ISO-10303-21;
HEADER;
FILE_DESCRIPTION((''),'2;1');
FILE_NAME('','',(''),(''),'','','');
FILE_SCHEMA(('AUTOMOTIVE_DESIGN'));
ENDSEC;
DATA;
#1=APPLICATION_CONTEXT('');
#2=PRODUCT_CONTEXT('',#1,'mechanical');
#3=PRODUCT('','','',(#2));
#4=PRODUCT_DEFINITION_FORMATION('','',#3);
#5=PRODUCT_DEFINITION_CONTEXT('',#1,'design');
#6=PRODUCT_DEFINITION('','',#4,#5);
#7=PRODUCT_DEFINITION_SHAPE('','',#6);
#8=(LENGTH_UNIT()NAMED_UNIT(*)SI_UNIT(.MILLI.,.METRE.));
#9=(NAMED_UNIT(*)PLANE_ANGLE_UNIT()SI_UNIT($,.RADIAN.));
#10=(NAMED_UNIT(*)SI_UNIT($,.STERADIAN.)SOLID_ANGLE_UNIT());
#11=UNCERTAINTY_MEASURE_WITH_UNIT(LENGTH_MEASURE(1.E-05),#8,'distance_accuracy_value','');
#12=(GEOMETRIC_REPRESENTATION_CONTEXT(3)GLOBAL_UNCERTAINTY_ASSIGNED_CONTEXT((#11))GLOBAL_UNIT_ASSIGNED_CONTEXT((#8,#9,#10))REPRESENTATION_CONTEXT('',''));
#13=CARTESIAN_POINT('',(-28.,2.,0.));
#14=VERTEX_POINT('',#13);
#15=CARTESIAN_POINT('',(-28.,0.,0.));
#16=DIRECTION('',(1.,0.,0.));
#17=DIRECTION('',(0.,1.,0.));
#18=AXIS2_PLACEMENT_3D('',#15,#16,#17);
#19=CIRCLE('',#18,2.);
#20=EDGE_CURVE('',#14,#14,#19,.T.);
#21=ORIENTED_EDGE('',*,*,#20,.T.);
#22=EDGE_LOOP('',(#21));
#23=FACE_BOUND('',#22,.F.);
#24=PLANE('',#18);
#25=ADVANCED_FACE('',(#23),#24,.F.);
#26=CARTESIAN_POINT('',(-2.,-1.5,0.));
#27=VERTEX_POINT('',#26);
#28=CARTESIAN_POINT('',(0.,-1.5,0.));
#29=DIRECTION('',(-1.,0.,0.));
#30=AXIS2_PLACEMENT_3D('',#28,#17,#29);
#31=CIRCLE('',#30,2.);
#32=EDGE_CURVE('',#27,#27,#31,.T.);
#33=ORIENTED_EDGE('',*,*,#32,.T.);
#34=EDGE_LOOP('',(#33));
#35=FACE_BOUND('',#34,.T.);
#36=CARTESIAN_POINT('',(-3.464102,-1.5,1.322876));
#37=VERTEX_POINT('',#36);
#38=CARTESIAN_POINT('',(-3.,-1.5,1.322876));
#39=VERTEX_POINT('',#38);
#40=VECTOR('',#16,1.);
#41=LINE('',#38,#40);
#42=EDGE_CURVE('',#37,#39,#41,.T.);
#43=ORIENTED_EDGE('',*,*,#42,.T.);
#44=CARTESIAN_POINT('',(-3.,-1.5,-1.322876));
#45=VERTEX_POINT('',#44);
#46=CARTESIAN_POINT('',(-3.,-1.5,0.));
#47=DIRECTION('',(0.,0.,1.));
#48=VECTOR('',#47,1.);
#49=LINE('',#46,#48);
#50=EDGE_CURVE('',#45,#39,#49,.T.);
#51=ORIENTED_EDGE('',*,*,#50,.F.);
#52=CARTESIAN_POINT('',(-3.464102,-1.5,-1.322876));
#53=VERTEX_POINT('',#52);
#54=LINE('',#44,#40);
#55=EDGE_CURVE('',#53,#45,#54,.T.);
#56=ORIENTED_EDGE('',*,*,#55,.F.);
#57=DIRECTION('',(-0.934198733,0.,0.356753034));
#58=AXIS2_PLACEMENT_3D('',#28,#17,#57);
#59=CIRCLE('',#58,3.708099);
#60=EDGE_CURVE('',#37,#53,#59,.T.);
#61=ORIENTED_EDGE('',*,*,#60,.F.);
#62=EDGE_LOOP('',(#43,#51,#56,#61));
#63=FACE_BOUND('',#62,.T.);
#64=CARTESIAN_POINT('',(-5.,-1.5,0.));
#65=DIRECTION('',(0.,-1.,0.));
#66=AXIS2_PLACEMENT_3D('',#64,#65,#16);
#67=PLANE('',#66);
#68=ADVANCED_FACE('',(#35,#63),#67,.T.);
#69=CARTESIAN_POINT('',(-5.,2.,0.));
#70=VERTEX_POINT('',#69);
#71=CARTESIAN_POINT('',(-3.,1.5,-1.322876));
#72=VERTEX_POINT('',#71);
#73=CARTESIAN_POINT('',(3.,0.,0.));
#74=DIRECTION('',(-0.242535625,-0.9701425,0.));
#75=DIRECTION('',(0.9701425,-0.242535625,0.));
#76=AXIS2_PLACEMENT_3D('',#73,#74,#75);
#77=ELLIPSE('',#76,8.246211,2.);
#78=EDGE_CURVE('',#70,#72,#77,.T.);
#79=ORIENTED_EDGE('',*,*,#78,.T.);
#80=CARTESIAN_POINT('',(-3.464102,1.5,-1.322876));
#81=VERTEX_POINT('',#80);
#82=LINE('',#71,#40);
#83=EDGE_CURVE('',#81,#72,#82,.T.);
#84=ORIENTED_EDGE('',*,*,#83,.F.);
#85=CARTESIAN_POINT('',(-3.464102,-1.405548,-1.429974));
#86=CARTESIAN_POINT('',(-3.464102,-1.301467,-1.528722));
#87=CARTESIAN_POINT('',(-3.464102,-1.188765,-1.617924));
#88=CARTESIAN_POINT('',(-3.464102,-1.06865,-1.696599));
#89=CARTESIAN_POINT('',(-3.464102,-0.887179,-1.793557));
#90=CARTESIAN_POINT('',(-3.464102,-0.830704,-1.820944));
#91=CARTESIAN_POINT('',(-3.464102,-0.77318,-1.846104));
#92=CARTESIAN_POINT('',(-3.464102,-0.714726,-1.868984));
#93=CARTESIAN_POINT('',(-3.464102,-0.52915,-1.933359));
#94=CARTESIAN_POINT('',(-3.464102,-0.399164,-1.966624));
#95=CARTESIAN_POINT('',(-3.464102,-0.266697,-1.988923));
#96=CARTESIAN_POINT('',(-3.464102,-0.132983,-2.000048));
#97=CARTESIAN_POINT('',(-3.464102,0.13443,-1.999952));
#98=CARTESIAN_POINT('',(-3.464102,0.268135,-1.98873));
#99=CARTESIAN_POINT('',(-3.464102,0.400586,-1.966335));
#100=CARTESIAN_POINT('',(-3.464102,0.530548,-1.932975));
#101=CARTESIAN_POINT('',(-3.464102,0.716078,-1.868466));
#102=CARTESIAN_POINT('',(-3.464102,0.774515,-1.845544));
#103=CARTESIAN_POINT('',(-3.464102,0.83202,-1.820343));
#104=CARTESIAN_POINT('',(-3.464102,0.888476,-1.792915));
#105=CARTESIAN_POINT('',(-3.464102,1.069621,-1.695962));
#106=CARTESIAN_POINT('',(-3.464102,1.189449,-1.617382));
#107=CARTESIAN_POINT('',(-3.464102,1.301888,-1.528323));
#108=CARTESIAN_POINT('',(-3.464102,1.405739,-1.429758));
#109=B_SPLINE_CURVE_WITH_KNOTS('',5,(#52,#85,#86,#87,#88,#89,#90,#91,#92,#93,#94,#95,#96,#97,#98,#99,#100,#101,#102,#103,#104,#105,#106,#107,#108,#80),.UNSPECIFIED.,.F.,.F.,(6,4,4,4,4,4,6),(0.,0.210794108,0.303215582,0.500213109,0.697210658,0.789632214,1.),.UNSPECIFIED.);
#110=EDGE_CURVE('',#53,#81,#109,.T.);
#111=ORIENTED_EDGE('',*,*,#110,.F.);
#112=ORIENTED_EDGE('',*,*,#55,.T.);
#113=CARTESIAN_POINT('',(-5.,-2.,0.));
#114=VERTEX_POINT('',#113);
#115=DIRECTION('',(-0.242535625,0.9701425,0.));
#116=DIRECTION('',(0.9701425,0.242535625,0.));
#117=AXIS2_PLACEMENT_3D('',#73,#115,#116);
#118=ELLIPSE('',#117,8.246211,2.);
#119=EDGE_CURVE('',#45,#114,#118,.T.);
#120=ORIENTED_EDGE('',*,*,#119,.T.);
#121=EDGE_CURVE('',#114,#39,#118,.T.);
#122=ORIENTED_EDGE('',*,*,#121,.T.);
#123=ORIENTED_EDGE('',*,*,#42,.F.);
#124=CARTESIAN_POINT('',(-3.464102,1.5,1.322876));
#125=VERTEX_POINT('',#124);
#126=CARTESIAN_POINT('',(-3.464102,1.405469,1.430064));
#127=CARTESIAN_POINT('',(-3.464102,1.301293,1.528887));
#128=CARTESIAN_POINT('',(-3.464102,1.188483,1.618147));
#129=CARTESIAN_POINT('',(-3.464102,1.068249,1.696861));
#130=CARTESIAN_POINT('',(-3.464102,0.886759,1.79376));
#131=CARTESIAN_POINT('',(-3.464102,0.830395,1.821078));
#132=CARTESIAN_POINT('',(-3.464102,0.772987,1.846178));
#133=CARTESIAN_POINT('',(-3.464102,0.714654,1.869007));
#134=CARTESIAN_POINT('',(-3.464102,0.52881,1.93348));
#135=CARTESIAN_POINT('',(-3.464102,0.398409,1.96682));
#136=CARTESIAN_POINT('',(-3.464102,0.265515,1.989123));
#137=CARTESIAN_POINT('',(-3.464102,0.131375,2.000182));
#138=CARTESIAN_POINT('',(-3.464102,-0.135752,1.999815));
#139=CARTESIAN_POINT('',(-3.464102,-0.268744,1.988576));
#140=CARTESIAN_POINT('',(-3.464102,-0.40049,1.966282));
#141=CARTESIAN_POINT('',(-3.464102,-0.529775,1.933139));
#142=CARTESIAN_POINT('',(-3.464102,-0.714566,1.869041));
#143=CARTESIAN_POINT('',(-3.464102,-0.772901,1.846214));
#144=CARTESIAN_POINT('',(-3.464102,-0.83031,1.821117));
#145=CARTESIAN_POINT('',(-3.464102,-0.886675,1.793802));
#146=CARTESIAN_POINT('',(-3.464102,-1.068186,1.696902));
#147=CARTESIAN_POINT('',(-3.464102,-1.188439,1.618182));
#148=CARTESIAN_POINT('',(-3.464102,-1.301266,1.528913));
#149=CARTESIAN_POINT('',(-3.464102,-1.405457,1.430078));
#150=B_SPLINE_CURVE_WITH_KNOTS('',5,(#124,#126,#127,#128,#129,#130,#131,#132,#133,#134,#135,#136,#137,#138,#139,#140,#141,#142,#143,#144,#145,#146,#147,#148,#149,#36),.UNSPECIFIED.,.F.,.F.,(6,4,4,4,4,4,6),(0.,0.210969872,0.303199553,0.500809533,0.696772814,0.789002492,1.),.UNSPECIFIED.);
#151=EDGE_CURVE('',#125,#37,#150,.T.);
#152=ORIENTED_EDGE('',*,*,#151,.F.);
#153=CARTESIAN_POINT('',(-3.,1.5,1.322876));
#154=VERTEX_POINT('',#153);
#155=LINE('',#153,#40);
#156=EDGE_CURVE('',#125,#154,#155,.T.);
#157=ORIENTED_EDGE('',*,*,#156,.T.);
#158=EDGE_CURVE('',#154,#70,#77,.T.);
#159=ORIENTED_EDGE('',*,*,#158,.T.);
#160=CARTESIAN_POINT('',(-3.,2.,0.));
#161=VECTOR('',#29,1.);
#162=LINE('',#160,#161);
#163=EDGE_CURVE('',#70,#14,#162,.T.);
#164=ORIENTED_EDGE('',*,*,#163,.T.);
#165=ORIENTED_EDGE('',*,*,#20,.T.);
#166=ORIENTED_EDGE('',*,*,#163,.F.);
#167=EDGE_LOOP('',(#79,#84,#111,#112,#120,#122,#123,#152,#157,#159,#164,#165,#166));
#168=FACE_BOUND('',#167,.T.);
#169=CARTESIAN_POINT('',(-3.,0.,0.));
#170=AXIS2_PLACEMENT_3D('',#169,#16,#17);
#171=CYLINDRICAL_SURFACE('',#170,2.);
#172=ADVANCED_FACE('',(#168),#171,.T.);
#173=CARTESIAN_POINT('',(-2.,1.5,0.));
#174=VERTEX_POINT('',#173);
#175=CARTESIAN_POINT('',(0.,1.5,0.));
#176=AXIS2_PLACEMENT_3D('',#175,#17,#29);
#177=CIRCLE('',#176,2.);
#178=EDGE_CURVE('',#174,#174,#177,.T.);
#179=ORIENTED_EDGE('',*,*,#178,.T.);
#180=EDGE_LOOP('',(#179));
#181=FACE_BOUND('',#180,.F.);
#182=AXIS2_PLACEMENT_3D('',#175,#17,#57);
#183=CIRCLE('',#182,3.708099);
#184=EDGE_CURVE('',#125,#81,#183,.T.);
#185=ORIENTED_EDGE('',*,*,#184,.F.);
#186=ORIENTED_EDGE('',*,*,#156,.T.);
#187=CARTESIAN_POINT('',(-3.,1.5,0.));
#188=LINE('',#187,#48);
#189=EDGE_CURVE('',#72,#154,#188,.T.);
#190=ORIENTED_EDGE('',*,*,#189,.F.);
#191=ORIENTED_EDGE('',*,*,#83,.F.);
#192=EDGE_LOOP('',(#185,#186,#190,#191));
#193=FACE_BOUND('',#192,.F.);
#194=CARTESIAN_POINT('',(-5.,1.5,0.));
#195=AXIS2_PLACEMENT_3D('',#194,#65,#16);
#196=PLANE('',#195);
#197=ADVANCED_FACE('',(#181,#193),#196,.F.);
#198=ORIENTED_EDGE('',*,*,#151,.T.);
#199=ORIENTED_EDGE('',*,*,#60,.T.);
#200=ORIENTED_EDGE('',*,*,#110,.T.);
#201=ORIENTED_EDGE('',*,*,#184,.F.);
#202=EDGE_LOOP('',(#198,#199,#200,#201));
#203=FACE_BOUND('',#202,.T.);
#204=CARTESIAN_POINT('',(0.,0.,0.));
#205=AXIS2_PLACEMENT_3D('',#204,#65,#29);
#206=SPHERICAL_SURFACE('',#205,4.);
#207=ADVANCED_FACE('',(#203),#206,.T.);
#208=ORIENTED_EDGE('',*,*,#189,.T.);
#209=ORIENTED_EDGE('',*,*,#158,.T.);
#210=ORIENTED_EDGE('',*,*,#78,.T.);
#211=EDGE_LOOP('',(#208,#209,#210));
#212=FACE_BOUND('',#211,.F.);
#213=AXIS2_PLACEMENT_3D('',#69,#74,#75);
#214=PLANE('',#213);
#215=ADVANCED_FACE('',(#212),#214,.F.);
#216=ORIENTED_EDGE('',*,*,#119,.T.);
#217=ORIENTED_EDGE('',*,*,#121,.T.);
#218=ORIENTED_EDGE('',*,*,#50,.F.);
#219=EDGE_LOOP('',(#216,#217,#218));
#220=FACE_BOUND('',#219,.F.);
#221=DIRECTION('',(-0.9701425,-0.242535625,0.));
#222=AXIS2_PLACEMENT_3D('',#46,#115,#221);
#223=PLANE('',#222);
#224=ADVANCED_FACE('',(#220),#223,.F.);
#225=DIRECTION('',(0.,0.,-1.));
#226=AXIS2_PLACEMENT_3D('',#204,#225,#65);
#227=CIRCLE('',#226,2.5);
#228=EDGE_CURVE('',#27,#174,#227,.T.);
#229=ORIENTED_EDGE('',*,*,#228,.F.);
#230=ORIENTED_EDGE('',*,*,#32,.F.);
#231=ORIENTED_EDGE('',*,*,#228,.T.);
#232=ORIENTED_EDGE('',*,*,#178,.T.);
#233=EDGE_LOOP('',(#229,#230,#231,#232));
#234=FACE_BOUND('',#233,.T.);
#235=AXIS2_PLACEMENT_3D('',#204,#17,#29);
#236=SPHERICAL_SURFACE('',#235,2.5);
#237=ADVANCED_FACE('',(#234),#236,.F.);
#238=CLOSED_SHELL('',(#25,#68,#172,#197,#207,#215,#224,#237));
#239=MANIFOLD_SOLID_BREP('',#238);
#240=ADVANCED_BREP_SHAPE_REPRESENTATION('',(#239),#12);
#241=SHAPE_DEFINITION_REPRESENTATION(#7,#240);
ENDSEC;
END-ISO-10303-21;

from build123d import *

# Parameters (mm, degrees)
F2_W     = 10
F2_H     = 3
F3_DEPTH = 12.5
F5_R     = 2
F6_DEPTH = 25
F8_DEPTH = 12.5


with BuildPart() as f1:
    # F0 (on Top) → F1 (revolve)
    with BuildSketch(Plane.XY):
        with BuildLine():
            ThreePointArc((0, -2.5), (-2.5, 0), (0, 2.5))
            Line((0, 2.5), (0, 4))
            ThreePointArc((0, 4), (-4, 0), (0, -4))
            Line((0, -4), (0, -2.5))
        make_face()
    revolve(axis=Axis((0, 0, 0), (0, -1, 0)))

    # F2 (on Top) → F3 (intersect, symmetric)
    with BuildSketch(Plane.XY):
        Rectangle(F2_W, F2_H)
    extrude(amount=F3_DEPTH, both=True, mode=Mode.INTERSECT)

    # F5 (on offset) → F6 (join)
    with BuildSketch(Plane.YZ.offset(-3)):
        Circle(F5_R)
    extrude(amount=-F6_DEPTH)

    # F7 (on Top) → F8 (cut, symmetric)
    with BuildSketch(Plane.XY):
        Polygon((-5, 2), (-3, 1.5), (3.708099, 1.5), (9, 1.5), (9, -1.5), (3.708099, -1.5), (-3, -1.5), (-5, -2), (-3, -2), (10, -2), (10, 2), (-3, 2), align=None)
    extrude(amount=F8_DEPTH, both=True, mode=Mode.SUBTRACT)


solid = f1.part
